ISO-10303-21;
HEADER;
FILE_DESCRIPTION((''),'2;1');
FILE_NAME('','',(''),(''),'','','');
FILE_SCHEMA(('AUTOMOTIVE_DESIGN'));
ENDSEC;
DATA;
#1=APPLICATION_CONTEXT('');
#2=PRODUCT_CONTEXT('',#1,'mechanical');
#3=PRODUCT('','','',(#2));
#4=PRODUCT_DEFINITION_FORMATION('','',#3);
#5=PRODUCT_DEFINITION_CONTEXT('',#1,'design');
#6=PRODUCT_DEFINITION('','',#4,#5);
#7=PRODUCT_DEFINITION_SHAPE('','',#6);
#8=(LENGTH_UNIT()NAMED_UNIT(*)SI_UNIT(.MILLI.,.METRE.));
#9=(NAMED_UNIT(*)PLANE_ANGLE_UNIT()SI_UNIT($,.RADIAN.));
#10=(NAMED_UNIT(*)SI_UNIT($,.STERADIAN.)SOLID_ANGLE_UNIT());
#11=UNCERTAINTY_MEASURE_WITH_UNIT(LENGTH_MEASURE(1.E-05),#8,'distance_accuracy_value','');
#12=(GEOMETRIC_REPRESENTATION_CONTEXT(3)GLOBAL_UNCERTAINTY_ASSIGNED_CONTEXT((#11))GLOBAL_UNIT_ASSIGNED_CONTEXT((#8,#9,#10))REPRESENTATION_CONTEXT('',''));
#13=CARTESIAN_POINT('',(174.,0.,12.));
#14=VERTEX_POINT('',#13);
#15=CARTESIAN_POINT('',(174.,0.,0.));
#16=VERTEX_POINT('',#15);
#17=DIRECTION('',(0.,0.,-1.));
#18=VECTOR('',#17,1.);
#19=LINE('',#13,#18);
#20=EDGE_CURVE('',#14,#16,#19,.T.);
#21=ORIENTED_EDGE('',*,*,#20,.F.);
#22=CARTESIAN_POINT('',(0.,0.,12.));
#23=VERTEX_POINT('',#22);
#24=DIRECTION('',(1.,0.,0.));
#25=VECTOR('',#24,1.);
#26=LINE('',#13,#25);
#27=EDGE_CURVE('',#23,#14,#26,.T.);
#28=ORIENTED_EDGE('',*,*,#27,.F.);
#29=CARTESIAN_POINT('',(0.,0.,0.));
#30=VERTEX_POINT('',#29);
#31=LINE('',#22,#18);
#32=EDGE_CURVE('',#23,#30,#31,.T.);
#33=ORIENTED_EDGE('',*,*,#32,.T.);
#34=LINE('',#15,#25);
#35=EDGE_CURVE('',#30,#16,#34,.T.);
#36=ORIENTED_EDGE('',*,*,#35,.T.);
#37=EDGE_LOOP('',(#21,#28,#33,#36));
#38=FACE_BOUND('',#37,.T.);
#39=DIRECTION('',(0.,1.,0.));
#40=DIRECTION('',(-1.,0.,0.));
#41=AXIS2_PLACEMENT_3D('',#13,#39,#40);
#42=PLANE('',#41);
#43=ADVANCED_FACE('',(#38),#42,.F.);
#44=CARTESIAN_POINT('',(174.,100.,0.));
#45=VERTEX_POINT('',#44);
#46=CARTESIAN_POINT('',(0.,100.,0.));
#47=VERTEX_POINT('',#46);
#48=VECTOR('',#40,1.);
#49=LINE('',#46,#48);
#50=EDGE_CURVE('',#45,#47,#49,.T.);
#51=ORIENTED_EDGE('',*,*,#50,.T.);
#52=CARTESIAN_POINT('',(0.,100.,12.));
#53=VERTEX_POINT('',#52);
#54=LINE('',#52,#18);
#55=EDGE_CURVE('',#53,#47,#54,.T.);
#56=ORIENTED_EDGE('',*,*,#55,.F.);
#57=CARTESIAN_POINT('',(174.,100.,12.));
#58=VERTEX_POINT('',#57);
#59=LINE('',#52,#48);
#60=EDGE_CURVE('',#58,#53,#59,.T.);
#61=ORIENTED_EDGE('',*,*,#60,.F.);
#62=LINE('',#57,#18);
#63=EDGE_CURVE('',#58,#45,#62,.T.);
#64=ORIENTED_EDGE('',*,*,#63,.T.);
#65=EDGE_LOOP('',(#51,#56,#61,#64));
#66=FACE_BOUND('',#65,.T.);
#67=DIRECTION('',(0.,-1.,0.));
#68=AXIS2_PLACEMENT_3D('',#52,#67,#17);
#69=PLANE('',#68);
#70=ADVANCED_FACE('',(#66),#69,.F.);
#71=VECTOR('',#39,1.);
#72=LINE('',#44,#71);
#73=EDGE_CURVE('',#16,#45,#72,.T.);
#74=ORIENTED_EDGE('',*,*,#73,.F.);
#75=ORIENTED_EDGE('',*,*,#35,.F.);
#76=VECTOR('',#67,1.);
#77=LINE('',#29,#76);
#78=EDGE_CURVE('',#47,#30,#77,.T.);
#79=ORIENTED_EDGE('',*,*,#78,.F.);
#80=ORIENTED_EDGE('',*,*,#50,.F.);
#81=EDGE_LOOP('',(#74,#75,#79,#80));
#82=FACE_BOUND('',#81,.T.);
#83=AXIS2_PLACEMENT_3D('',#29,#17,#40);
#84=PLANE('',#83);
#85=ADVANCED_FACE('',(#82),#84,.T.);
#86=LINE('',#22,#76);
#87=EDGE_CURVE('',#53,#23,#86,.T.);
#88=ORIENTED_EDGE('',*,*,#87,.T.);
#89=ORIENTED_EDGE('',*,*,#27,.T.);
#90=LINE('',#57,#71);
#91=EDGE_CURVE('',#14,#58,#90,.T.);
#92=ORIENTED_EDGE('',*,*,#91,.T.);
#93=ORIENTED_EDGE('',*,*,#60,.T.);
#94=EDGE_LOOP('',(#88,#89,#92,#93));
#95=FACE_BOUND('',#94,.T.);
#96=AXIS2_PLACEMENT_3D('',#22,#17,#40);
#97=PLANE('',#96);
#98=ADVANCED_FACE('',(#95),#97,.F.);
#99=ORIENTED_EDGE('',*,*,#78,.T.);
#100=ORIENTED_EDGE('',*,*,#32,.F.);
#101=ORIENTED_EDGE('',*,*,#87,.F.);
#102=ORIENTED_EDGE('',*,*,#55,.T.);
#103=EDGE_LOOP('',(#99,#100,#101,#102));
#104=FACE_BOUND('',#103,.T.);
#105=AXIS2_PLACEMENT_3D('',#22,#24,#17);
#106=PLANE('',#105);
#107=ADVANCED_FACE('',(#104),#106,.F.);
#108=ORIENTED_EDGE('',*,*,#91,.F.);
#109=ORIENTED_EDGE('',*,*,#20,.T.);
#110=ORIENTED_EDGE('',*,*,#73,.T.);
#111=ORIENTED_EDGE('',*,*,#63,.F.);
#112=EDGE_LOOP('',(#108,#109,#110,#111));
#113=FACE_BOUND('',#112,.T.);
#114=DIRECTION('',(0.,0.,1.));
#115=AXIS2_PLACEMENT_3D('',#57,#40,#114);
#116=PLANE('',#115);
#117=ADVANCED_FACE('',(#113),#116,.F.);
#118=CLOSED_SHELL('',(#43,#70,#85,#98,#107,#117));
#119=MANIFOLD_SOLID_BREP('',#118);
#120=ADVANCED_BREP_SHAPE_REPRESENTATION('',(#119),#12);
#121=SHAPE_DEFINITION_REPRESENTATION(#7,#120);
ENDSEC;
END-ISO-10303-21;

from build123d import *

# Parameters (mm, degrees)
CROQUIS1_W              = 174
CROQUIS1_H              = 100
SALIENTE_EXTRUIR1_DEPTH = 12


with BuildPart() as part:
    # Croquis1 → Saliente-Extruir1 (new body)
    with BuildSketch(Plane.XY):
        with Locations((87, 50)):
            Rectangle(CROQUIS1_W, CROQUIS1_H)
    extrude(amount=SALIENTE_EXTRUIR1_DEPTH)


solid = part.part
